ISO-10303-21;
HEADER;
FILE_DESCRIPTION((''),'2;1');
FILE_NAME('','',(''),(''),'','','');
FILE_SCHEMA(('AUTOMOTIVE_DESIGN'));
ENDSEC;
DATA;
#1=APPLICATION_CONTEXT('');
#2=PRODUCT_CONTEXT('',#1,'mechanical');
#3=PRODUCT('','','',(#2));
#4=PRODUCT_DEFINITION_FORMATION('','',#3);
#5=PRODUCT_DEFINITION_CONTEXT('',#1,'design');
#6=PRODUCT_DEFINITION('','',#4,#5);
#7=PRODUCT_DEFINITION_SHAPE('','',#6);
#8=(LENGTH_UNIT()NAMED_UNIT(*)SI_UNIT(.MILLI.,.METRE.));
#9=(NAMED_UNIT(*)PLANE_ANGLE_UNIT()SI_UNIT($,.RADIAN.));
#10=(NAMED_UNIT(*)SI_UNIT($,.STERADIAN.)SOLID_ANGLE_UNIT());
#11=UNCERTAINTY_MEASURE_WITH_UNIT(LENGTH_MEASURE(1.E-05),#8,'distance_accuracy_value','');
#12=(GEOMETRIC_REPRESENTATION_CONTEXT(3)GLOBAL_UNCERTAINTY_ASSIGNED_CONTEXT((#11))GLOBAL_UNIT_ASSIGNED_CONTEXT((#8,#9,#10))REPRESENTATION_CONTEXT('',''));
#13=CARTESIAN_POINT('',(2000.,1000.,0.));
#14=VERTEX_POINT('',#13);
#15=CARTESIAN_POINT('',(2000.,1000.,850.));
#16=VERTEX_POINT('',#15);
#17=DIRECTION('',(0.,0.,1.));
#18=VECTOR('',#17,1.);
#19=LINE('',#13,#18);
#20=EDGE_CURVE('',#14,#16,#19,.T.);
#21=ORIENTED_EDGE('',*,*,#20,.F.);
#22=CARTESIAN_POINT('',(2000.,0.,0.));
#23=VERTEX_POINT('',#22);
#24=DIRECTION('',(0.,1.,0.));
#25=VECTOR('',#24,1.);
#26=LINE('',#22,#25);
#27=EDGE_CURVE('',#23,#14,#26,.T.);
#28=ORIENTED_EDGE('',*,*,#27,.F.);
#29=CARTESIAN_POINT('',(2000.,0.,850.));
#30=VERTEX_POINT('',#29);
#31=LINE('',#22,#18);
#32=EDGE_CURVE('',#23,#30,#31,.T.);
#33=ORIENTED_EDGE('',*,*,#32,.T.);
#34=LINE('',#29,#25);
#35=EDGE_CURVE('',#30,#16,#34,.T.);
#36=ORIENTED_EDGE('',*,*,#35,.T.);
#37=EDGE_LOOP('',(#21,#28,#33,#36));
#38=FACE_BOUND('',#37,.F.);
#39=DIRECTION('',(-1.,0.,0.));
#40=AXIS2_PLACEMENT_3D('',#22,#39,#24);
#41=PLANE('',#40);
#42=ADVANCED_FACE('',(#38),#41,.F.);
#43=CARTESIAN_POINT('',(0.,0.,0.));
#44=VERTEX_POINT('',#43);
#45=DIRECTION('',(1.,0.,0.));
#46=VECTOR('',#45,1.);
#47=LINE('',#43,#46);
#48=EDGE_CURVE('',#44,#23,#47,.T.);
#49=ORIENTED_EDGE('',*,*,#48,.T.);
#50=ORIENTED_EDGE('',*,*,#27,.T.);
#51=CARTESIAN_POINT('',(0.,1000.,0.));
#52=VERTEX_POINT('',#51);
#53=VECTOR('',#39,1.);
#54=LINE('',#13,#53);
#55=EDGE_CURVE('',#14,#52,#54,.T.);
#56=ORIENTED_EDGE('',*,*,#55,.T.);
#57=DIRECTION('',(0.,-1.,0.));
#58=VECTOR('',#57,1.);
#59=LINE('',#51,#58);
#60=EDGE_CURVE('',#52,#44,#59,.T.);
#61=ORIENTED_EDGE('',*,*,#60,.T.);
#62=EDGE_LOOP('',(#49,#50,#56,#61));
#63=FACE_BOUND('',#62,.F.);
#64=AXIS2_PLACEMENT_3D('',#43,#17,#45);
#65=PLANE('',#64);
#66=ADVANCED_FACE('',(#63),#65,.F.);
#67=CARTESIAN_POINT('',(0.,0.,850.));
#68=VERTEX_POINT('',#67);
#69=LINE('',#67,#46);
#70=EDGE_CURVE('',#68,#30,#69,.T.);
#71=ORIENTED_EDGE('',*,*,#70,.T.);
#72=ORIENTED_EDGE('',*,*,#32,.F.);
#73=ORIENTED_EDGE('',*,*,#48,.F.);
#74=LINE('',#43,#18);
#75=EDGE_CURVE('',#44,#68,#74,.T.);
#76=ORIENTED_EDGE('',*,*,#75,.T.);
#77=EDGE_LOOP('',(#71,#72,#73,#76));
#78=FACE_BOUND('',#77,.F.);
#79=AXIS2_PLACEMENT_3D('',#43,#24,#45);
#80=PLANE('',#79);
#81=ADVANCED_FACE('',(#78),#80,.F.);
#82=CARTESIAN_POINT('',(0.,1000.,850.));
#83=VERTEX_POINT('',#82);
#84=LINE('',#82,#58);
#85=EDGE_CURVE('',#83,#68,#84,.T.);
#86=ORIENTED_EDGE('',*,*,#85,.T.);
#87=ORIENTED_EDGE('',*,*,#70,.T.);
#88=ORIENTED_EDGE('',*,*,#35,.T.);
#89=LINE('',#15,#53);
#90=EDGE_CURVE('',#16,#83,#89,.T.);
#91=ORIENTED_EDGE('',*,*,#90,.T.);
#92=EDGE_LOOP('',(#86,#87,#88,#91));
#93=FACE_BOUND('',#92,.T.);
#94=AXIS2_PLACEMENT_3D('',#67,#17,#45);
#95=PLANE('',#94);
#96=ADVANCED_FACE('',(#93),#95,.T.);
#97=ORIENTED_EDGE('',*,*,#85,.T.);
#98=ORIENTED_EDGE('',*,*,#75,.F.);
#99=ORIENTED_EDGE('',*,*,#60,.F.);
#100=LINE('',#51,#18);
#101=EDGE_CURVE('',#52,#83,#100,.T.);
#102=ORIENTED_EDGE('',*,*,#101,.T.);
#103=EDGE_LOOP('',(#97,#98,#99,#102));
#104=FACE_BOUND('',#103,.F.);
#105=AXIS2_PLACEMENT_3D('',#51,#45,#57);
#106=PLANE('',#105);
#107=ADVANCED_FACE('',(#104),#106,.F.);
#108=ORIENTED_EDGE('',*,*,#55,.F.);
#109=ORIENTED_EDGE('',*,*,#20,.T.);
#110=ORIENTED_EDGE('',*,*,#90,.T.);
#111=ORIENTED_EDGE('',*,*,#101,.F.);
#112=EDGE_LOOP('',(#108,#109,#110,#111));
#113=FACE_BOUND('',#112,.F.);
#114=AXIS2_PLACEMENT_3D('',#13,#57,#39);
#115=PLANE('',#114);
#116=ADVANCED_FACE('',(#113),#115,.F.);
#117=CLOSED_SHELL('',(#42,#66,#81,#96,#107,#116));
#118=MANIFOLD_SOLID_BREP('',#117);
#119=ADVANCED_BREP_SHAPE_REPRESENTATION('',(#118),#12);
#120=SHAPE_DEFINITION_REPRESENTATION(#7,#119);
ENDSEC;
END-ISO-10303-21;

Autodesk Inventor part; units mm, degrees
ref_plane "YZ Plane" through (0, 0, 0) normal (1, 0, 0) x (0, 1, 0)
ref_plane "XZ Plane" through (0, 0, 0) normal (0, 1, 0) x (-1, 0, 0)
ref_plane "XY Plane" through (0, 0, 0) normal (0, 0, 1) x (1, 0, 0)
sketch "Sketch1" plane through (0, 0, 0) normal (0, 0, 1) x (1, 0, 0)
  line L0 (0, 0) -> (2000, 0)
  line L1 (2000, 0) -> (2000, 1000)
  line L2 (2000, 1000) -> (0, 1000)
  line L3 (0, 1000) -> (0, 0)
  dimension "d0" = 2000
  dimension "d1" = 1000
extrude "Extrusion1" add sketch "Sketch1" along normal blind 850
sketch "Sketch3" plane through (0, 0, 850) normal (0, 0, 1) x (1, 0, 0)
  line L0 (2000, 0) -> (2000, 1000) construction
  line L1 (2000, 1000) -> (0, 1000) construction
  line L2 (0, 1000) -> (0, 0) construction
  line L3 (0, 0) -> (2000, 0) construction
  line L4 (500, 1000) -> (500, 0)
  line L5 (0, 0) -> (2000, 0) construction
  line L6 (1000, 1000) -> (1000, 0)
  line L7 (1500, 1000) -> (1500, 0)
  line L8 (0, 1000) -> (2000, 1000)
  line L9 (2000, 1000) -> (2000, 0)
  line L10 (0, 0) -> (2000, 0)
  line L11 (0, 1000) -> (0, 0)
  dimension "d5" = 500
  dimension "d8" = 500
properties part number "WPC_Asztal_200x100"
